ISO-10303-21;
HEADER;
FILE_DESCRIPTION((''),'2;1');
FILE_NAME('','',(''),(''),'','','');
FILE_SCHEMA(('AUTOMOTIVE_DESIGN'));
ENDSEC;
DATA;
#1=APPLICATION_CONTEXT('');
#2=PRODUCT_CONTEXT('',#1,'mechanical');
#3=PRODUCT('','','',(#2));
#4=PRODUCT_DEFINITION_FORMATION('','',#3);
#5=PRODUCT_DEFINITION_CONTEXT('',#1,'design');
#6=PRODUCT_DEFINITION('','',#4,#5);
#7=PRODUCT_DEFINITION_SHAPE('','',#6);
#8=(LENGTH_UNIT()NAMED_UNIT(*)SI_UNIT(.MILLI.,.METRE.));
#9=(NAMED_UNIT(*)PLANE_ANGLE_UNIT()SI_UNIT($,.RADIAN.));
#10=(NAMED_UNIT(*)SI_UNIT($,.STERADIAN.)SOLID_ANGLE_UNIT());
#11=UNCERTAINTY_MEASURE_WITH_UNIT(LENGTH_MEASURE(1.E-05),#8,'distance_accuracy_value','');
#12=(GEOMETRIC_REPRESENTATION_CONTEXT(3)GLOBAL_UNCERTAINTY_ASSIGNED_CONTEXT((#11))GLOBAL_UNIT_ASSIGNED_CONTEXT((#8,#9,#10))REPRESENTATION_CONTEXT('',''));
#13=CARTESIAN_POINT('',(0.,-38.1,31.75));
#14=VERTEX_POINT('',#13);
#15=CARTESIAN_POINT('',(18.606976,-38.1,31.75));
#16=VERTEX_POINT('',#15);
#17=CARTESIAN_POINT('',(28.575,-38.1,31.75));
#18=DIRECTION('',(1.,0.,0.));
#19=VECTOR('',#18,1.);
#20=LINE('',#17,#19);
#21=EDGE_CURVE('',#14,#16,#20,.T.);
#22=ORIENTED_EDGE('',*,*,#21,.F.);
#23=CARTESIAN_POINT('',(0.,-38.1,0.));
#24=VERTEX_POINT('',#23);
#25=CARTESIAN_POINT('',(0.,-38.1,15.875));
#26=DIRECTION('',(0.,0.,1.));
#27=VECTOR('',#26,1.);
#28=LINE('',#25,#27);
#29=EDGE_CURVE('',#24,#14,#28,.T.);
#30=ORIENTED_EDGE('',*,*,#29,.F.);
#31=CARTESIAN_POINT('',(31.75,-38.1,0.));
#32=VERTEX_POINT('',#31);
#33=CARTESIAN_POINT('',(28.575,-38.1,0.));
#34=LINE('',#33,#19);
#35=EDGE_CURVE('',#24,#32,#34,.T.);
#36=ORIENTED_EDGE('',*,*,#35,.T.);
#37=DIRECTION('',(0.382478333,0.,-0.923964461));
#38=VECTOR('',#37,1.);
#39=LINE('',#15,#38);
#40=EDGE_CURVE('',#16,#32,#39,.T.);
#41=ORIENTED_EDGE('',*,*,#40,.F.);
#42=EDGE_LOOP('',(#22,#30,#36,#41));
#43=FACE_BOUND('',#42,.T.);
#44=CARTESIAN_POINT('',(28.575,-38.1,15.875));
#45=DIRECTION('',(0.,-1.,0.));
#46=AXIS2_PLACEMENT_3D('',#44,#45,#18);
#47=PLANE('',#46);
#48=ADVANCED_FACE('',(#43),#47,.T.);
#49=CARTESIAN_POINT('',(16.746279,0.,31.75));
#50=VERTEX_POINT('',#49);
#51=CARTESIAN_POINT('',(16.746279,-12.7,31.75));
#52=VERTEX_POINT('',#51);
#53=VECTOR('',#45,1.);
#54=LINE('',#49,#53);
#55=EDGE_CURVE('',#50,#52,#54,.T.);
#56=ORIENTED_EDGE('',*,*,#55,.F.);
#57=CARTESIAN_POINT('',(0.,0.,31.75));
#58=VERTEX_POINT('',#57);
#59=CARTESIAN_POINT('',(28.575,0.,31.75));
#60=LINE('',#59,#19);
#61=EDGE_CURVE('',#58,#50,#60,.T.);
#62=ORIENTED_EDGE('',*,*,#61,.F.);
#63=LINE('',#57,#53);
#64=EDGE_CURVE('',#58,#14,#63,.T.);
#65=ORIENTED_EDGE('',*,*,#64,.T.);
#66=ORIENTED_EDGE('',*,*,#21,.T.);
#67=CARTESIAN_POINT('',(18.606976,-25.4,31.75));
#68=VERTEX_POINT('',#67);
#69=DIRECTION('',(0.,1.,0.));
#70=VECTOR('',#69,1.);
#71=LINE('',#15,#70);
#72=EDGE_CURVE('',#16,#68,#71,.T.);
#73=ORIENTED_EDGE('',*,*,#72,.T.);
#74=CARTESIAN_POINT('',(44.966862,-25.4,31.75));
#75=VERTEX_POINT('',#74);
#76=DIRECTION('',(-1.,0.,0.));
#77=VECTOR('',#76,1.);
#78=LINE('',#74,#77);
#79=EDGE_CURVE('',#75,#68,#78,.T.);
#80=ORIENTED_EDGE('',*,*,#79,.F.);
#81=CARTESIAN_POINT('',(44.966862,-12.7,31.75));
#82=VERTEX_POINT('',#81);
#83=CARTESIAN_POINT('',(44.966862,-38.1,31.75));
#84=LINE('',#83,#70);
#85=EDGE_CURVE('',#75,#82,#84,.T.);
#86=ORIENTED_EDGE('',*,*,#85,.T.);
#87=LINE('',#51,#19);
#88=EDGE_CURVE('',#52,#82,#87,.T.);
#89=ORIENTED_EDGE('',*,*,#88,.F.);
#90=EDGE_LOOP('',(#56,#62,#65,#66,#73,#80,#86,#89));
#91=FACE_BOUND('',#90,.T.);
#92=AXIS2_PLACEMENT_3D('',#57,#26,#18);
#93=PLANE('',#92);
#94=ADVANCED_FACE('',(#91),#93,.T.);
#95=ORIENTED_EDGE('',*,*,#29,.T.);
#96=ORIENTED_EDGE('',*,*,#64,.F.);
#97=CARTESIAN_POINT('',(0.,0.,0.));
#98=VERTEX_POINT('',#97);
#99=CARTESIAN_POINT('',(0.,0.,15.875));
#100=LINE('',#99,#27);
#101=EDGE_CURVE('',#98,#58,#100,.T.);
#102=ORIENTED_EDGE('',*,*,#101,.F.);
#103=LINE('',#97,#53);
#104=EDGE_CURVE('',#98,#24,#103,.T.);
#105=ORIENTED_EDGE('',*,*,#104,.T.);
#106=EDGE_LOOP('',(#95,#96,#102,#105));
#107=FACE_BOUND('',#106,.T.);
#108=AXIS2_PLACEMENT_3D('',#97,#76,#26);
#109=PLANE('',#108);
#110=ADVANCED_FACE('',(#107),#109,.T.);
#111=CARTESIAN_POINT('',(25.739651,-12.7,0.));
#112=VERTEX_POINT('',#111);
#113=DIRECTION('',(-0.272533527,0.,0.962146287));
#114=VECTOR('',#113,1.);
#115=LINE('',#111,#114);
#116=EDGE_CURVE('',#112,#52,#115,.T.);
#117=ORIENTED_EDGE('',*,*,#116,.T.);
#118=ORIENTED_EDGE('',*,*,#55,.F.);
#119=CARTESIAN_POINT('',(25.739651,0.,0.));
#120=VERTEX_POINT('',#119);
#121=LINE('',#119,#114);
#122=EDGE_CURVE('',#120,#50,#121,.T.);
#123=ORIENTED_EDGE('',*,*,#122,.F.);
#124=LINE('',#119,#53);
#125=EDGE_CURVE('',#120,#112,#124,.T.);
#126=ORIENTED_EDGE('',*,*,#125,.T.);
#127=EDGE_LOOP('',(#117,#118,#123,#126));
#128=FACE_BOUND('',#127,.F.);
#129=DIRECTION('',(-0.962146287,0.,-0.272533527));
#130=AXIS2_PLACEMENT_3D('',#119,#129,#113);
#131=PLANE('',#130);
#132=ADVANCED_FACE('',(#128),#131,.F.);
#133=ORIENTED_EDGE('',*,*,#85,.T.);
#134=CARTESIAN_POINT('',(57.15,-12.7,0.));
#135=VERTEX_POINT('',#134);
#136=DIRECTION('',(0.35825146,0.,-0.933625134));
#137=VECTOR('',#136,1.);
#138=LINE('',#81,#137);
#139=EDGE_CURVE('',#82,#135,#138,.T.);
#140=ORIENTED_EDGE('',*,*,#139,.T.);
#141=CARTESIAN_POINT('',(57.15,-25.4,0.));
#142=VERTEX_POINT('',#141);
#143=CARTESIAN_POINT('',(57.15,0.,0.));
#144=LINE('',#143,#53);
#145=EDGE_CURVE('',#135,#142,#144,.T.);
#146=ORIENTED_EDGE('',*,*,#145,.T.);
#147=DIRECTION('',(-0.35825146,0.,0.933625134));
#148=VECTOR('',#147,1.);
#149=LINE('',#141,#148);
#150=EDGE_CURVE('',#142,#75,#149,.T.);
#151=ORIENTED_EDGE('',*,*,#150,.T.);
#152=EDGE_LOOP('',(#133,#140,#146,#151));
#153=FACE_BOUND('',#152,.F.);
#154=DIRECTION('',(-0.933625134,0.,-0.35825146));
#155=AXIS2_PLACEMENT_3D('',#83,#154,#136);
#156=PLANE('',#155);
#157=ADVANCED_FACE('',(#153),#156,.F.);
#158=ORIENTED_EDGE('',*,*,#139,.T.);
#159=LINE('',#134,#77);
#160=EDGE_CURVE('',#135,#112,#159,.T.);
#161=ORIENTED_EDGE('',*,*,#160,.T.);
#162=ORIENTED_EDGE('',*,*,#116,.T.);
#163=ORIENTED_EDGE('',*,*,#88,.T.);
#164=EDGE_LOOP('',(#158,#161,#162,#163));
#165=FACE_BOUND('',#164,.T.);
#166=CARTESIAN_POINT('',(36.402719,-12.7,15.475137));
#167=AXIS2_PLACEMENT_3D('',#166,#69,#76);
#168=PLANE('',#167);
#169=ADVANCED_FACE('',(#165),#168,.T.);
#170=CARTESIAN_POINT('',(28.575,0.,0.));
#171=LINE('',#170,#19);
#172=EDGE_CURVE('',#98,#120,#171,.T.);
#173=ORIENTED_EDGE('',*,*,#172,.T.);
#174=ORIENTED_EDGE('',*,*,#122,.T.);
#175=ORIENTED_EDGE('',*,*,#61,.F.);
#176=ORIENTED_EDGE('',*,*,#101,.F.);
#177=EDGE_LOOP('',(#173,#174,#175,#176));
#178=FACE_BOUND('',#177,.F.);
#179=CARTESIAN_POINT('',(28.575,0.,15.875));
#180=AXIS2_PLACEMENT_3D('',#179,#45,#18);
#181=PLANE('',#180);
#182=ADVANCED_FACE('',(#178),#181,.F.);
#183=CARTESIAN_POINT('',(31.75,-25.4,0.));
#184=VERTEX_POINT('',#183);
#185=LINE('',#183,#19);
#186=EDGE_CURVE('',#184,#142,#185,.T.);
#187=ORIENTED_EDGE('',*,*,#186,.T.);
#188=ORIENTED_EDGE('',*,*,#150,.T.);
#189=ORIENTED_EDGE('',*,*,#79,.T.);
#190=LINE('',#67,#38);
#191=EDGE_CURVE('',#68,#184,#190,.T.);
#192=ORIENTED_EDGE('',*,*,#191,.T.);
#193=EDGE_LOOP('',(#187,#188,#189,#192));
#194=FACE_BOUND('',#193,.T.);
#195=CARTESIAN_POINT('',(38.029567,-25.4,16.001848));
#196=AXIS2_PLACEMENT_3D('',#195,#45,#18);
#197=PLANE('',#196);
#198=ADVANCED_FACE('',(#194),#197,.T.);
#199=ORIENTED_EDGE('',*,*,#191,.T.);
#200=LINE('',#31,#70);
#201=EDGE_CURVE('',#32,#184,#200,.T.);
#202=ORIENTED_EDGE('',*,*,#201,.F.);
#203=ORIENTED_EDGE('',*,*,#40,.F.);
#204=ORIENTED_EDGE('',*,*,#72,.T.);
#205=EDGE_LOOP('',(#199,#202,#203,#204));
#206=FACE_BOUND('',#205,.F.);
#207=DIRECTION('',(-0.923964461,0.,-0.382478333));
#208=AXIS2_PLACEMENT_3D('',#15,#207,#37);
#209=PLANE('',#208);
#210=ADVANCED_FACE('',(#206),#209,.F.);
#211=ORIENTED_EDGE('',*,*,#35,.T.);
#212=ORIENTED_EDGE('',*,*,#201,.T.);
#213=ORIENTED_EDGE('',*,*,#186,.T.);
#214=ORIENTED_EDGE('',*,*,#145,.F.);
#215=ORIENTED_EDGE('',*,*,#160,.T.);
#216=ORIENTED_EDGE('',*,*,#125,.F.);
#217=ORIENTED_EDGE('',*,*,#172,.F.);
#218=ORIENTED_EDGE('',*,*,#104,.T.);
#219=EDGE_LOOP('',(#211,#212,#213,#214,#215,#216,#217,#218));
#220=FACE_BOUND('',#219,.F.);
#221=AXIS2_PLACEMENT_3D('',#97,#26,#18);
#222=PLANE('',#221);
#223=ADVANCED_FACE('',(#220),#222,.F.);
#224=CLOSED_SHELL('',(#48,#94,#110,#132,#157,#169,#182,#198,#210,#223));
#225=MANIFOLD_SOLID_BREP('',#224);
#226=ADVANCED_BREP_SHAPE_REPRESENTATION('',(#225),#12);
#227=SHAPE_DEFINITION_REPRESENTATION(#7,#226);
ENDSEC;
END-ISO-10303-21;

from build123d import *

# Parameters (mm, degrees)
F0_W     = 57.15
F0_H     = 31.75
F1_DEPTH = 38.1
F3_DEPTH = 12.7
F5_DEPTH = 38.1
F7_DEPTH = 12.7


with BuildPart() as f1:
    # F0 (on Front) → F1 (new body)
    with BuildSketch(Plane.XZ):
        with Locations((28.575, 15.875)):
            Rectangle(F0_W, F0_H)
    extrude(amount=F1_DEPTH)

    # F2 (on face) → F3 (cut)
    with BuildSketch(Plane.XZ.offset(38.1)):
        Polygon((31.75, 0), (57.15, 0), (44.966862, 31.75), (18.606976, 31.75), align=None)
    extrude(amount=-F3_DEPTH, mode=Mode.SUBTRACT)

    # F4 (on face) → F5 (cut)
    with BuildSketch(Plane.XZ.offset(38.1)):
        Polygon((57.15, 0), (57.15, 31.75), (44.966862, 31.75), align=None)
    extrude(amount=-F5_DEPTH, mode=Mode.SUBTRACT)

    # F6 (on face) → F7 (cut)
    with BuildSketch(Plane(origin=(0, 0, 0), x_dir=(-1, 0, 0), z_dir=(0, 1, 0))):
        Polygon((-25.739651, 0), (-16.746279, 31.75), (-44.966862, 31.75), (-57.15, 0), align=None)
    extrude(amount=-F7_DEPTH, mode=Mode.SUBTRACT)


solid = f1.part
